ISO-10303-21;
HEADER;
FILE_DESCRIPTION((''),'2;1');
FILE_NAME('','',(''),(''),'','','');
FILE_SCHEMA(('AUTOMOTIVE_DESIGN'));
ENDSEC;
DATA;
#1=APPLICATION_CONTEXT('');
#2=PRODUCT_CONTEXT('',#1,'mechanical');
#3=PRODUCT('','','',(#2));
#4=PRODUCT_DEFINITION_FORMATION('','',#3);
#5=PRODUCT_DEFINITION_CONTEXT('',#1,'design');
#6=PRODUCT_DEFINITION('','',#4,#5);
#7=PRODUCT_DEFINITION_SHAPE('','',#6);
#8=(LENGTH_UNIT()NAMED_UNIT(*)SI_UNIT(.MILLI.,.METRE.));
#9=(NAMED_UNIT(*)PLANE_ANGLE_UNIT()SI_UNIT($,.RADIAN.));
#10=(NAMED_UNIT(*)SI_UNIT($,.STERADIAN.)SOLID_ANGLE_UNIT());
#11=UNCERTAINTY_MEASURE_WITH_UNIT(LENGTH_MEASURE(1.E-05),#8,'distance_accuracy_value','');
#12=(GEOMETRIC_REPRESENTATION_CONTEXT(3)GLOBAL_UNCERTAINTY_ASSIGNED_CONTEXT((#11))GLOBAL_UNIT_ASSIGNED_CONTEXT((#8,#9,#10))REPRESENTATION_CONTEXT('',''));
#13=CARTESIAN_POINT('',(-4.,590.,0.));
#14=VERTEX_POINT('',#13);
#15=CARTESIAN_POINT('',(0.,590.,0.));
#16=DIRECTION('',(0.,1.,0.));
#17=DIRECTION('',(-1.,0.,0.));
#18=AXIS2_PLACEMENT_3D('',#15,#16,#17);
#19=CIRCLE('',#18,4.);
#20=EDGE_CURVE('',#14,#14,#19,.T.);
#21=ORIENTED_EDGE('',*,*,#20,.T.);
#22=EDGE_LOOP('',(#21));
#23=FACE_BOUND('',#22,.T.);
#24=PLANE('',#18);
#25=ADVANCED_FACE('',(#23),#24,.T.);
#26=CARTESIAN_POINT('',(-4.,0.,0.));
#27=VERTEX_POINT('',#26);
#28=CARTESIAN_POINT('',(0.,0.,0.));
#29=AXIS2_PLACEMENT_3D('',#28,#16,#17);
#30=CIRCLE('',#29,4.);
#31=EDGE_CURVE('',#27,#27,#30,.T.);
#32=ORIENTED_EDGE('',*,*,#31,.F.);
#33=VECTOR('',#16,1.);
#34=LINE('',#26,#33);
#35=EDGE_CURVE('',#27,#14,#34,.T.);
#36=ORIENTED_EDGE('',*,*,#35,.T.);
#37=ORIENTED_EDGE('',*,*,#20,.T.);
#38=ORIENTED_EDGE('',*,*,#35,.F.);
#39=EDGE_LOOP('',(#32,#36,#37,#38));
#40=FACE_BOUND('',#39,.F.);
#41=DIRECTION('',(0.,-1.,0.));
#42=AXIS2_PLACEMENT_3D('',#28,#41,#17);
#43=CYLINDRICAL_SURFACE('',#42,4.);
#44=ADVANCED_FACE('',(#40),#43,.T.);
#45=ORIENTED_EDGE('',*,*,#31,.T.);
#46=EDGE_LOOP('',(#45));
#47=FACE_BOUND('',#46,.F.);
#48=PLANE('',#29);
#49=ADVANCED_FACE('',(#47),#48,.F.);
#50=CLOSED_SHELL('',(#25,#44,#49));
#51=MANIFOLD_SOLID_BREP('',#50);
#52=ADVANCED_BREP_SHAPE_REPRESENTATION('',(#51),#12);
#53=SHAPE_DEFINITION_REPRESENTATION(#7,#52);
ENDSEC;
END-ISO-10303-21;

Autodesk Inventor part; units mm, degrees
ref_plane "YZ Plane" through (0, 0, 0) normal (1, 0, 0) x (0, 1, 0)
ref_plane "XZ Plane" through (0, 0, 0) normal (0, 1, 0) x (-1, 0, 0)
ref_plane "XY Plane" through (0, 0, 0) normal (0, 0, 1) x (1, 0, 0)
sketch "Эскиз1" plane through (0, 0, 0) normal (0, 1, 0) x (-1, 0, 0)
  circle A0 centre (0, 0) radius 4
  dimension "d0" = 8
extrude "Выдавливание1" add sketch "Эскиз1" along normal blind 590
properties part number "Опора подъемника"
